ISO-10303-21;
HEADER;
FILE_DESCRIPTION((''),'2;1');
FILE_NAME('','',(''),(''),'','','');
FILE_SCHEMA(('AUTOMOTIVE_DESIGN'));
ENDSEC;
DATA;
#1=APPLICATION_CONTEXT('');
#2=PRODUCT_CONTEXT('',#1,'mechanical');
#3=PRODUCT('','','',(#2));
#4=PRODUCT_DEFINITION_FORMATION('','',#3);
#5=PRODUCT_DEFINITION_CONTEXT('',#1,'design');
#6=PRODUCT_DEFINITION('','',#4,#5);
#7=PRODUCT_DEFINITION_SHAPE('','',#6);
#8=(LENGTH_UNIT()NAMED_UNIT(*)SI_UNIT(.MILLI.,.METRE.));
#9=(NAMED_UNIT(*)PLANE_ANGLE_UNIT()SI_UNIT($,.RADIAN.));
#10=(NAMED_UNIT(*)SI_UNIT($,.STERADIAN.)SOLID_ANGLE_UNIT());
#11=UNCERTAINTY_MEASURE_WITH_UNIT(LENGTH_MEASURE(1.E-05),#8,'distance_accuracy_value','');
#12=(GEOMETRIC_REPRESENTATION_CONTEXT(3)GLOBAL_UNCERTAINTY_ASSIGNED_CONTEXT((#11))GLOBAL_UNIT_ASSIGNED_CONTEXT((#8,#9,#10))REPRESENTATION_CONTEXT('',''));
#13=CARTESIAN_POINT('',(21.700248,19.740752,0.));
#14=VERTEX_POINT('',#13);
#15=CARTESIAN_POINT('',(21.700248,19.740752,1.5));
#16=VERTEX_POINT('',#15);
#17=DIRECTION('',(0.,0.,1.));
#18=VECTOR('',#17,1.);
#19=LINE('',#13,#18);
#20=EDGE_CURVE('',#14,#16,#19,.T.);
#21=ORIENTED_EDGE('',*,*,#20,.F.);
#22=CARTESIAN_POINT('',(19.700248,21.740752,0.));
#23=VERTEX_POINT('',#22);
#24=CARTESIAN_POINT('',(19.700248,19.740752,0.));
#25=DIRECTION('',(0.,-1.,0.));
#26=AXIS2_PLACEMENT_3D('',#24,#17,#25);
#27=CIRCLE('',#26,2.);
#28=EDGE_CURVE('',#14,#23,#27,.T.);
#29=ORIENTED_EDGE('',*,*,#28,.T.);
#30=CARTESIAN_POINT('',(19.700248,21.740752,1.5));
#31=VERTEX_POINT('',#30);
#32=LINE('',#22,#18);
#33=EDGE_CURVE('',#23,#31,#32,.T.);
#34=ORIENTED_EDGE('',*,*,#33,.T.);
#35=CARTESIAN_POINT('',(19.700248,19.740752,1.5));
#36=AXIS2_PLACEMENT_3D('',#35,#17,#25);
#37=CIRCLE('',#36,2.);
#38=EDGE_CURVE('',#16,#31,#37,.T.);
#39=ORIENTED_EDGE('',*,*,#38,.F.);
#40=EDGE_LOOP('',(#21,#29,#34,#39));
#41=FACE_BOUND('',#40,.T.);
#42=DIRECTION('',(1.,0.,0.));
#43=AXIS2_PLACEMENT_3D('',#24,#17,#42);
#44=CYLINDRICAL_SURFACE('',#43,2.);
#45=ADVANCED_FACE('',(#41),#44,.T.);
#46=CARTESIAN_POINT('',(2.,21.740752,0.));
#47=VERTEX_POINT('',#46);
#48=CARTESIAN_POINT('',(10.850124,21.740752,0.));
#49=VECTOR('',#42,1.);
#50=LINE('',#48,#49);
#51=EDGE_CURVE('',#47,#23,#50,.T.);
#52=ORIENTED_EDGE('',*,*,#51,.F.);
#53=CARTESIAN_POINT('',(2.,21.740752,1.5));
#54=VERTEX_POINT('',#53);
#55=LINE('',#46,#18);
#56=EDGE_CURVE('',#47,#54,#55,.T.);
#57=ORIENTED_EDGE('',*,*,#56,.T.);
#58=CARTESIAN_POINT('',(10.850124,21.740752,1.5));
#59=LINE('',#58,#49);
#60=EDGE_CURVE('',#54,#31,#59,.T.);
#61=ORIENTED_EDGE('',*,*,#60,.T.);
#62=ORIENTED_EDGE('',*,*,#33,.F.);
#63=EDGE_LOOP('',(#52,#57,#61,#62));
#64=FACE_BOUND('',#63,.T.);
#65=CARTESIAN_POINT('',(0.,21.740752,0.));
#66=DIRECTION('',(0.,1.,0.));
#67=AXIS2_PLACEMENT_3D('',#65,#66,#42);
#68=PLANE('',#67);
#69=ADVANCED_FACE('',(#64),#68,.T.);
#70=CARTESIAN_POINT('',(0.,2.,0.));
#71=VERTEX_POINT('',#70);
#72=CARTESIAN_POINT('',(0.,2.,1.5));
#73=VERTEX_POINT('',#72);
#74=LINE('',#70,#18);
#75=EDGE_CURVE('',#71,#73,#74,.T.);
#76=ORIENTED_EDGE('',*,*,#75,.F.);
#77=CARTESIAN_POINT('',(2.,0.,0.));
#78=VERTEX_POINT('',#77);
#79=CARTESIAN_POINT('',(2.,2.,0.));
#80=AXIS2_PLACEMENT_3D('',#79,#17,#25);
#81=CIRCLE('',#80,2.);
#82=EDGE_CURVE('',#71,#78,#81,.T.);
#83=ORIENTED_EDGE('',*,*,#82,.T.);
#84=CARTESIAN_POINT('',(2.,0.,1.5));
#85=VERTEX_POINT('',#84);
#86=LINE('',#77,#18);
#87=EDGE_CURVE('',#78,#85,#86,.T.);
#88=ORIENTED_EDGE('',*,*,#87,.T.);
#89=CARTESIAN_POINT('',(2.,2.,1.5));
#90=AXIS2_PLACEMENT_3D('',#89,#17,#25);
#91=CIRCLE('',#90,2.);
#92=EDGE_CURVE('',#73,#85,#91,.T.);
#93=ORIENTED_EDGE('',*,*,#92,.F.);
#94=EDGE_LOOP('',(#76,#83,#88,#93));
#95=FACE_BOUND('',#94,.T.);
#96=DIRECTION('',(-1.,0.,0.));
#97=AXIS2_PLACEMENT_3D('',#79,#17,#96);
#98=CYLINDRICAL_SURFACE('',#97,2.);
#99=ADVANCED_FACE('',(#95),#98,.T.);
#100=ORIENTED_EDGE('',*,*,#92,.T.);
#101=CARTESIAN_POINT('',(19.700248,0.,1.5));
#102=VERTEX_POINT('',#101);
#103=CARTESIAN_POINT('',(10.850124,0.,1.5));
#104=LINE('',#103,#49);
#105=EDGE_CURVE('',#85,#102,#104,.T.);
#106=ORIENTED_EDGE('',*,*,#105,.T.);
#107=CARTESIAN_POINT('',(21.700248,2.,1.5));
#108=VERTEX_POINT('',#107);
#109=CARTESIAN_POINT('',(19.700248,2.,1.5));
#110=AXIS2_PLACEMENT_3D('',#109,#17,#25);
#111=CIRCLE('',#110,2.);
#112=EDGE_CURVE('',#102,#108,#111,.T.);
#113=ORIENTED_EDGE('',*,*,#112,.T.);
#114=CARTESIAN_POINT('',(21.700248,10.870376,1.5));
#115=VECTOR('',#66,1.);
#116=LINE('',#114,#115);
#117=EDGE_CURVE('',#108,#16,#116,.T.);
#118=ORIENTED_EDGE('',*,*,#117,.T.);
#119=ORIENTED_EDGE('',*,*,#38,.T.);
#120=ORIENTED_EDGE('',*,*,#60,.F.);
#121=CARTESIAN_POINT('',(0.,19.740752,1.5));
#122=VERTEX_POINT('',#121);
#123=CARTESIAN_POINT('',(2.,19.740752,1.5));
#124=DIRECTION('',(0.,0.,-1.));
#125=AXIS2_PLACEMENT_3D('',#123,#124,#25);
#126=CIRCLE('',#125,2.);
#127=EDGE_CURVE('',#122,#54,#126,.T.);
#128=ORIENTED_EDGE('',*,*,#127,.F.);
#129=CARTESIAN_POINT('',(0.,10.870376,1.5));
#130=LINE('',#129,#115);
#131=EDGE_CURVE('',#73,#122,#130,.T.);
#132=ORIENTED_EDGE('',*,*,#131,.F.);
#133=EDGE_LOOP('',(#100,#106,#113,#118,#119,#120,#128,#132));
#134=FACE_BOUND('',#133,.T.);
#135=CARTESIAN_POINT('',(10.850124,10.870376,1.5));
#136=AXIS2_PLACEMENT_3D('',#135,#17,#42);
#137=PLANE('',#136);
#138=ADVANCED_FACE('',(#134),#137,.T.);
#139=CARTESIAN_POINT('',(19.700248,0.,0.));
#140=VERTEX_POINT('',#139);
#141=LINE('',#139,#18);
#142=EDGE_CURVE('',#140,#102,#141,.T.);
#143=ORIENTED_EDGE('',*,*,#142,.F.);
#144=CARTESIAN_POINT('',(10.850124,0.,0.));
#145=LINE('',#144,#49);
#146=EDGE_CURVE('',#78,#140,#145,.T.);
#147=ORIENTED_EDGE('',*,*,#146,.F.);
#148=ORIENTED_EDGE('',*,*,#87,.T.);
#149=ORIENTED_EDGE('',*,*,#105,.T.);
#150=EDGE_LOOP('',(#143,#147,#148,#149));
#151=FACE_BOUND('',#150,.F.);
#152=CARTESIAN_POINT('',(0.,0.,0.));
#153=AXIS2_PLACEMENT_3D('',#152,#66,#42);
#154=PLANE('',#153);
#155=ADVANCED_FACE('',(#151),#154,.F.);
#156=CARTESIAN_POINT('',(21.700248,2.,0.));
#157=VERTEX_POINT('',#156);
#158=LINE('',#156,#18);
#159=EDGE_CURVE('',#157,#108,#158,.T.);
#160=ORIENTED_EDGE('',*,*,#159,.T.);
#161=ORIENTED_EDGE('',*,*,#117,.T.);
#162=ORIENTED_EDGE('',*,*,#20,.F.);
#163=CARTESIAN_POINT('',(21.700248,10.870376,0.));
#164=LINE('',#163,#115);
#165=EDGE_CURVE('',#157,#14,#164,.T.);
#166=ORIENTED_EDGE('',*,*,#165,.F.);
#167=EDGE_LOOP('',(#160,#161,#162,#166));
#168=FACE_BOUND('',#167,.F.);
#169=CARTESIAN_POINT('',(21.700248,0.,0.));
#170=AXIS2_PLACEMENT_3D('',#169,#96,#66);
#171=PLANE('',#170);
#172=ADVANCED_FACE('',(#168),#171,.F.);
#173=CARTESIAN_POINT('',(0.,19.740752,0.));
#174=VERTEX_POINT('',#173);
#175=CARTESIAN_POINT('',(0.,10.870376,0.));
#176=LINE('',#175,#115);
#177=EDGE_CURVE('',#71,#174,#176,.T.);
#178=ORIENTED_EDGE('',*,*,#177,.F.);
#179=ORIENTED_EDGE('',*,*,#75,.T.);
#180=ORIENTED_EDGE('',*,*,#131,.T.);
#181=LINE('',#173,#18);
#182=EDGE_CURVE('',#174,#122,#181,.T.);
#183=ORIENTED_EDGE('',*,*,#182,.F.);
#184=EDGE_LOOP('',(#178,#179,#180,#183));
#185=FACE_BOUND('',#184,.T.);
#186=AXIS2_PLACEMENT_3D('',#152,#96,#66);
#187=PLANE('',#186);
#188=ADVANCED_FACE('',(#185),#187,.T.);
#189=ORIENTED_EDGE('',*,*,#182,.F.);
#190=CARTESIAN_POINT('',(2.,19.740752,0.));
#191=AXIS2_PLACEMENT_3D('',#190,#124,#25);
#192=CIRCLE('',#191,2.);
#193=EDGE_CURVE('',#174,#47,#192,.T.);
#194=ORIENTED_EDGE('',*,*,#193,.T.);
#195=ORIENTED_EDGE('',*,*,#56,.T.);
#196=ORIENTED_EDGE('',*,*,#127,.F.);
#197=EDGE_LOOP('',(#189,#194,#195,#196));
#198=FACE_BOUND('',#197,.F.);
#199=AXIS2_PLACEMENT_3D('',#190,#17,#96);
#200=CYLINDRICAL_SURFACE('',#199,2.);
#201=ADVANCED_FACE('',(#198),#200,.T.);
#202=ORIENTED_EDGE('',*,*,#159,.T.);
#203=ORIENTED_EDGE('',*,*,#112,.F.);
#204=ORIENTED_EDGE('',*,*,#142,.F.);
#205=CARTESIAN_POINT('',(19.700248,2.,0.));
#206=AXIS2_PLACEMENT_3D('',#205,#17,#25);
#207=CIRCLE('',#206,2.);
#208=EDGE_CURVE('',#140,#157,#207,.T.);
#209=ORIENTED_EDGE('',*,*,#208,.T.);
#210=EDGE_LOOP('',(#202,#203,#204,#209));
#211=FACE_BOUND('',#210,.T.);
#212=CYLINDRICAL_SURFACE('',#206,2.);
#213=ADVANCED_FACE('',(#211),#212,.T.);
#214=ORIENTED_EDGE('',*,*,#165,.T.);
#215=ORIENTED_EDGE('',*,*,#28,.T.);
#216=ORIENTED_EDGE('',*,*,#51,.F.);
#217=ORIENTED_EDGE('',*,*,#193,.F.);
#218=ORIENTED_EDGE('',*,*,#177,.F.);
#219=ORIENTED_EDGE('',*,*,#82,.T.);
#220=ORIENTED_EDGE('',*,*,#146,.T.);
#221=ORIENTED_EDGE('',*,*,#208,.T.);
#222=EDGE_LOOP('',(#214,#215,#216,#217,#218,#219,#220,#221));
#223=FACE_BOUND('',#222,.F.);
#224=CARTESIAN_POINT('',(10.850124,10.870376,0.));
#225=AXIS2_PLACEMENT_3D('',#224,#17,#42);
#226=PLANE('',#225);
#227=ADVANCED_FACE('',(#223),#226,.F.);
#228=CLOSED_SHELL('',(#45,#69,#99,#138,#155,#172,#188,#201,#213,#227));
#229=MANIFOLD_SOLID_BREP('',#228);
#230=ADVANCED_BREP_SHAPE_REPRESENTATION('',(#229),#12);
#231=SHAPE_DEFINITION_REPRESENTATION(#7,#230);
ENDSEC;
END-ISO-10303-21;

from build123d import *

# Parameters (mm, degrees)
SKETCH1_W           = 21.700247653
SKETCH1_H           = 21.740751921
BOSS_EXTRUDE1_DEPTH = 1.5
FILLET1_R           = 2


with BuildPart() as part:
    # Sketch1 → Boss-Extrude1 (new body)
    with BuildSketch(Plane.XY):
        with Locations((10.850123827, 10.870375961)):
            Rectangle(SKETCH1_W, SKETCH1_H)
    extrude(amount=BOSS_EXTRUDE1_DEPTH)

    # Fillet1
    fillet1_edges = [part.edges().sort_by_distance(p)[0] for p in [
        (0, 21.740751921, 0.75),
        (21.700247653, 21.740751921, 0.75),
        (21.700247653, 0, 0.75),
        (0, 0, 0.75),
    ]]
    fillet(fillet1_edges, radius=FILLET1_R)


solid = part.part
